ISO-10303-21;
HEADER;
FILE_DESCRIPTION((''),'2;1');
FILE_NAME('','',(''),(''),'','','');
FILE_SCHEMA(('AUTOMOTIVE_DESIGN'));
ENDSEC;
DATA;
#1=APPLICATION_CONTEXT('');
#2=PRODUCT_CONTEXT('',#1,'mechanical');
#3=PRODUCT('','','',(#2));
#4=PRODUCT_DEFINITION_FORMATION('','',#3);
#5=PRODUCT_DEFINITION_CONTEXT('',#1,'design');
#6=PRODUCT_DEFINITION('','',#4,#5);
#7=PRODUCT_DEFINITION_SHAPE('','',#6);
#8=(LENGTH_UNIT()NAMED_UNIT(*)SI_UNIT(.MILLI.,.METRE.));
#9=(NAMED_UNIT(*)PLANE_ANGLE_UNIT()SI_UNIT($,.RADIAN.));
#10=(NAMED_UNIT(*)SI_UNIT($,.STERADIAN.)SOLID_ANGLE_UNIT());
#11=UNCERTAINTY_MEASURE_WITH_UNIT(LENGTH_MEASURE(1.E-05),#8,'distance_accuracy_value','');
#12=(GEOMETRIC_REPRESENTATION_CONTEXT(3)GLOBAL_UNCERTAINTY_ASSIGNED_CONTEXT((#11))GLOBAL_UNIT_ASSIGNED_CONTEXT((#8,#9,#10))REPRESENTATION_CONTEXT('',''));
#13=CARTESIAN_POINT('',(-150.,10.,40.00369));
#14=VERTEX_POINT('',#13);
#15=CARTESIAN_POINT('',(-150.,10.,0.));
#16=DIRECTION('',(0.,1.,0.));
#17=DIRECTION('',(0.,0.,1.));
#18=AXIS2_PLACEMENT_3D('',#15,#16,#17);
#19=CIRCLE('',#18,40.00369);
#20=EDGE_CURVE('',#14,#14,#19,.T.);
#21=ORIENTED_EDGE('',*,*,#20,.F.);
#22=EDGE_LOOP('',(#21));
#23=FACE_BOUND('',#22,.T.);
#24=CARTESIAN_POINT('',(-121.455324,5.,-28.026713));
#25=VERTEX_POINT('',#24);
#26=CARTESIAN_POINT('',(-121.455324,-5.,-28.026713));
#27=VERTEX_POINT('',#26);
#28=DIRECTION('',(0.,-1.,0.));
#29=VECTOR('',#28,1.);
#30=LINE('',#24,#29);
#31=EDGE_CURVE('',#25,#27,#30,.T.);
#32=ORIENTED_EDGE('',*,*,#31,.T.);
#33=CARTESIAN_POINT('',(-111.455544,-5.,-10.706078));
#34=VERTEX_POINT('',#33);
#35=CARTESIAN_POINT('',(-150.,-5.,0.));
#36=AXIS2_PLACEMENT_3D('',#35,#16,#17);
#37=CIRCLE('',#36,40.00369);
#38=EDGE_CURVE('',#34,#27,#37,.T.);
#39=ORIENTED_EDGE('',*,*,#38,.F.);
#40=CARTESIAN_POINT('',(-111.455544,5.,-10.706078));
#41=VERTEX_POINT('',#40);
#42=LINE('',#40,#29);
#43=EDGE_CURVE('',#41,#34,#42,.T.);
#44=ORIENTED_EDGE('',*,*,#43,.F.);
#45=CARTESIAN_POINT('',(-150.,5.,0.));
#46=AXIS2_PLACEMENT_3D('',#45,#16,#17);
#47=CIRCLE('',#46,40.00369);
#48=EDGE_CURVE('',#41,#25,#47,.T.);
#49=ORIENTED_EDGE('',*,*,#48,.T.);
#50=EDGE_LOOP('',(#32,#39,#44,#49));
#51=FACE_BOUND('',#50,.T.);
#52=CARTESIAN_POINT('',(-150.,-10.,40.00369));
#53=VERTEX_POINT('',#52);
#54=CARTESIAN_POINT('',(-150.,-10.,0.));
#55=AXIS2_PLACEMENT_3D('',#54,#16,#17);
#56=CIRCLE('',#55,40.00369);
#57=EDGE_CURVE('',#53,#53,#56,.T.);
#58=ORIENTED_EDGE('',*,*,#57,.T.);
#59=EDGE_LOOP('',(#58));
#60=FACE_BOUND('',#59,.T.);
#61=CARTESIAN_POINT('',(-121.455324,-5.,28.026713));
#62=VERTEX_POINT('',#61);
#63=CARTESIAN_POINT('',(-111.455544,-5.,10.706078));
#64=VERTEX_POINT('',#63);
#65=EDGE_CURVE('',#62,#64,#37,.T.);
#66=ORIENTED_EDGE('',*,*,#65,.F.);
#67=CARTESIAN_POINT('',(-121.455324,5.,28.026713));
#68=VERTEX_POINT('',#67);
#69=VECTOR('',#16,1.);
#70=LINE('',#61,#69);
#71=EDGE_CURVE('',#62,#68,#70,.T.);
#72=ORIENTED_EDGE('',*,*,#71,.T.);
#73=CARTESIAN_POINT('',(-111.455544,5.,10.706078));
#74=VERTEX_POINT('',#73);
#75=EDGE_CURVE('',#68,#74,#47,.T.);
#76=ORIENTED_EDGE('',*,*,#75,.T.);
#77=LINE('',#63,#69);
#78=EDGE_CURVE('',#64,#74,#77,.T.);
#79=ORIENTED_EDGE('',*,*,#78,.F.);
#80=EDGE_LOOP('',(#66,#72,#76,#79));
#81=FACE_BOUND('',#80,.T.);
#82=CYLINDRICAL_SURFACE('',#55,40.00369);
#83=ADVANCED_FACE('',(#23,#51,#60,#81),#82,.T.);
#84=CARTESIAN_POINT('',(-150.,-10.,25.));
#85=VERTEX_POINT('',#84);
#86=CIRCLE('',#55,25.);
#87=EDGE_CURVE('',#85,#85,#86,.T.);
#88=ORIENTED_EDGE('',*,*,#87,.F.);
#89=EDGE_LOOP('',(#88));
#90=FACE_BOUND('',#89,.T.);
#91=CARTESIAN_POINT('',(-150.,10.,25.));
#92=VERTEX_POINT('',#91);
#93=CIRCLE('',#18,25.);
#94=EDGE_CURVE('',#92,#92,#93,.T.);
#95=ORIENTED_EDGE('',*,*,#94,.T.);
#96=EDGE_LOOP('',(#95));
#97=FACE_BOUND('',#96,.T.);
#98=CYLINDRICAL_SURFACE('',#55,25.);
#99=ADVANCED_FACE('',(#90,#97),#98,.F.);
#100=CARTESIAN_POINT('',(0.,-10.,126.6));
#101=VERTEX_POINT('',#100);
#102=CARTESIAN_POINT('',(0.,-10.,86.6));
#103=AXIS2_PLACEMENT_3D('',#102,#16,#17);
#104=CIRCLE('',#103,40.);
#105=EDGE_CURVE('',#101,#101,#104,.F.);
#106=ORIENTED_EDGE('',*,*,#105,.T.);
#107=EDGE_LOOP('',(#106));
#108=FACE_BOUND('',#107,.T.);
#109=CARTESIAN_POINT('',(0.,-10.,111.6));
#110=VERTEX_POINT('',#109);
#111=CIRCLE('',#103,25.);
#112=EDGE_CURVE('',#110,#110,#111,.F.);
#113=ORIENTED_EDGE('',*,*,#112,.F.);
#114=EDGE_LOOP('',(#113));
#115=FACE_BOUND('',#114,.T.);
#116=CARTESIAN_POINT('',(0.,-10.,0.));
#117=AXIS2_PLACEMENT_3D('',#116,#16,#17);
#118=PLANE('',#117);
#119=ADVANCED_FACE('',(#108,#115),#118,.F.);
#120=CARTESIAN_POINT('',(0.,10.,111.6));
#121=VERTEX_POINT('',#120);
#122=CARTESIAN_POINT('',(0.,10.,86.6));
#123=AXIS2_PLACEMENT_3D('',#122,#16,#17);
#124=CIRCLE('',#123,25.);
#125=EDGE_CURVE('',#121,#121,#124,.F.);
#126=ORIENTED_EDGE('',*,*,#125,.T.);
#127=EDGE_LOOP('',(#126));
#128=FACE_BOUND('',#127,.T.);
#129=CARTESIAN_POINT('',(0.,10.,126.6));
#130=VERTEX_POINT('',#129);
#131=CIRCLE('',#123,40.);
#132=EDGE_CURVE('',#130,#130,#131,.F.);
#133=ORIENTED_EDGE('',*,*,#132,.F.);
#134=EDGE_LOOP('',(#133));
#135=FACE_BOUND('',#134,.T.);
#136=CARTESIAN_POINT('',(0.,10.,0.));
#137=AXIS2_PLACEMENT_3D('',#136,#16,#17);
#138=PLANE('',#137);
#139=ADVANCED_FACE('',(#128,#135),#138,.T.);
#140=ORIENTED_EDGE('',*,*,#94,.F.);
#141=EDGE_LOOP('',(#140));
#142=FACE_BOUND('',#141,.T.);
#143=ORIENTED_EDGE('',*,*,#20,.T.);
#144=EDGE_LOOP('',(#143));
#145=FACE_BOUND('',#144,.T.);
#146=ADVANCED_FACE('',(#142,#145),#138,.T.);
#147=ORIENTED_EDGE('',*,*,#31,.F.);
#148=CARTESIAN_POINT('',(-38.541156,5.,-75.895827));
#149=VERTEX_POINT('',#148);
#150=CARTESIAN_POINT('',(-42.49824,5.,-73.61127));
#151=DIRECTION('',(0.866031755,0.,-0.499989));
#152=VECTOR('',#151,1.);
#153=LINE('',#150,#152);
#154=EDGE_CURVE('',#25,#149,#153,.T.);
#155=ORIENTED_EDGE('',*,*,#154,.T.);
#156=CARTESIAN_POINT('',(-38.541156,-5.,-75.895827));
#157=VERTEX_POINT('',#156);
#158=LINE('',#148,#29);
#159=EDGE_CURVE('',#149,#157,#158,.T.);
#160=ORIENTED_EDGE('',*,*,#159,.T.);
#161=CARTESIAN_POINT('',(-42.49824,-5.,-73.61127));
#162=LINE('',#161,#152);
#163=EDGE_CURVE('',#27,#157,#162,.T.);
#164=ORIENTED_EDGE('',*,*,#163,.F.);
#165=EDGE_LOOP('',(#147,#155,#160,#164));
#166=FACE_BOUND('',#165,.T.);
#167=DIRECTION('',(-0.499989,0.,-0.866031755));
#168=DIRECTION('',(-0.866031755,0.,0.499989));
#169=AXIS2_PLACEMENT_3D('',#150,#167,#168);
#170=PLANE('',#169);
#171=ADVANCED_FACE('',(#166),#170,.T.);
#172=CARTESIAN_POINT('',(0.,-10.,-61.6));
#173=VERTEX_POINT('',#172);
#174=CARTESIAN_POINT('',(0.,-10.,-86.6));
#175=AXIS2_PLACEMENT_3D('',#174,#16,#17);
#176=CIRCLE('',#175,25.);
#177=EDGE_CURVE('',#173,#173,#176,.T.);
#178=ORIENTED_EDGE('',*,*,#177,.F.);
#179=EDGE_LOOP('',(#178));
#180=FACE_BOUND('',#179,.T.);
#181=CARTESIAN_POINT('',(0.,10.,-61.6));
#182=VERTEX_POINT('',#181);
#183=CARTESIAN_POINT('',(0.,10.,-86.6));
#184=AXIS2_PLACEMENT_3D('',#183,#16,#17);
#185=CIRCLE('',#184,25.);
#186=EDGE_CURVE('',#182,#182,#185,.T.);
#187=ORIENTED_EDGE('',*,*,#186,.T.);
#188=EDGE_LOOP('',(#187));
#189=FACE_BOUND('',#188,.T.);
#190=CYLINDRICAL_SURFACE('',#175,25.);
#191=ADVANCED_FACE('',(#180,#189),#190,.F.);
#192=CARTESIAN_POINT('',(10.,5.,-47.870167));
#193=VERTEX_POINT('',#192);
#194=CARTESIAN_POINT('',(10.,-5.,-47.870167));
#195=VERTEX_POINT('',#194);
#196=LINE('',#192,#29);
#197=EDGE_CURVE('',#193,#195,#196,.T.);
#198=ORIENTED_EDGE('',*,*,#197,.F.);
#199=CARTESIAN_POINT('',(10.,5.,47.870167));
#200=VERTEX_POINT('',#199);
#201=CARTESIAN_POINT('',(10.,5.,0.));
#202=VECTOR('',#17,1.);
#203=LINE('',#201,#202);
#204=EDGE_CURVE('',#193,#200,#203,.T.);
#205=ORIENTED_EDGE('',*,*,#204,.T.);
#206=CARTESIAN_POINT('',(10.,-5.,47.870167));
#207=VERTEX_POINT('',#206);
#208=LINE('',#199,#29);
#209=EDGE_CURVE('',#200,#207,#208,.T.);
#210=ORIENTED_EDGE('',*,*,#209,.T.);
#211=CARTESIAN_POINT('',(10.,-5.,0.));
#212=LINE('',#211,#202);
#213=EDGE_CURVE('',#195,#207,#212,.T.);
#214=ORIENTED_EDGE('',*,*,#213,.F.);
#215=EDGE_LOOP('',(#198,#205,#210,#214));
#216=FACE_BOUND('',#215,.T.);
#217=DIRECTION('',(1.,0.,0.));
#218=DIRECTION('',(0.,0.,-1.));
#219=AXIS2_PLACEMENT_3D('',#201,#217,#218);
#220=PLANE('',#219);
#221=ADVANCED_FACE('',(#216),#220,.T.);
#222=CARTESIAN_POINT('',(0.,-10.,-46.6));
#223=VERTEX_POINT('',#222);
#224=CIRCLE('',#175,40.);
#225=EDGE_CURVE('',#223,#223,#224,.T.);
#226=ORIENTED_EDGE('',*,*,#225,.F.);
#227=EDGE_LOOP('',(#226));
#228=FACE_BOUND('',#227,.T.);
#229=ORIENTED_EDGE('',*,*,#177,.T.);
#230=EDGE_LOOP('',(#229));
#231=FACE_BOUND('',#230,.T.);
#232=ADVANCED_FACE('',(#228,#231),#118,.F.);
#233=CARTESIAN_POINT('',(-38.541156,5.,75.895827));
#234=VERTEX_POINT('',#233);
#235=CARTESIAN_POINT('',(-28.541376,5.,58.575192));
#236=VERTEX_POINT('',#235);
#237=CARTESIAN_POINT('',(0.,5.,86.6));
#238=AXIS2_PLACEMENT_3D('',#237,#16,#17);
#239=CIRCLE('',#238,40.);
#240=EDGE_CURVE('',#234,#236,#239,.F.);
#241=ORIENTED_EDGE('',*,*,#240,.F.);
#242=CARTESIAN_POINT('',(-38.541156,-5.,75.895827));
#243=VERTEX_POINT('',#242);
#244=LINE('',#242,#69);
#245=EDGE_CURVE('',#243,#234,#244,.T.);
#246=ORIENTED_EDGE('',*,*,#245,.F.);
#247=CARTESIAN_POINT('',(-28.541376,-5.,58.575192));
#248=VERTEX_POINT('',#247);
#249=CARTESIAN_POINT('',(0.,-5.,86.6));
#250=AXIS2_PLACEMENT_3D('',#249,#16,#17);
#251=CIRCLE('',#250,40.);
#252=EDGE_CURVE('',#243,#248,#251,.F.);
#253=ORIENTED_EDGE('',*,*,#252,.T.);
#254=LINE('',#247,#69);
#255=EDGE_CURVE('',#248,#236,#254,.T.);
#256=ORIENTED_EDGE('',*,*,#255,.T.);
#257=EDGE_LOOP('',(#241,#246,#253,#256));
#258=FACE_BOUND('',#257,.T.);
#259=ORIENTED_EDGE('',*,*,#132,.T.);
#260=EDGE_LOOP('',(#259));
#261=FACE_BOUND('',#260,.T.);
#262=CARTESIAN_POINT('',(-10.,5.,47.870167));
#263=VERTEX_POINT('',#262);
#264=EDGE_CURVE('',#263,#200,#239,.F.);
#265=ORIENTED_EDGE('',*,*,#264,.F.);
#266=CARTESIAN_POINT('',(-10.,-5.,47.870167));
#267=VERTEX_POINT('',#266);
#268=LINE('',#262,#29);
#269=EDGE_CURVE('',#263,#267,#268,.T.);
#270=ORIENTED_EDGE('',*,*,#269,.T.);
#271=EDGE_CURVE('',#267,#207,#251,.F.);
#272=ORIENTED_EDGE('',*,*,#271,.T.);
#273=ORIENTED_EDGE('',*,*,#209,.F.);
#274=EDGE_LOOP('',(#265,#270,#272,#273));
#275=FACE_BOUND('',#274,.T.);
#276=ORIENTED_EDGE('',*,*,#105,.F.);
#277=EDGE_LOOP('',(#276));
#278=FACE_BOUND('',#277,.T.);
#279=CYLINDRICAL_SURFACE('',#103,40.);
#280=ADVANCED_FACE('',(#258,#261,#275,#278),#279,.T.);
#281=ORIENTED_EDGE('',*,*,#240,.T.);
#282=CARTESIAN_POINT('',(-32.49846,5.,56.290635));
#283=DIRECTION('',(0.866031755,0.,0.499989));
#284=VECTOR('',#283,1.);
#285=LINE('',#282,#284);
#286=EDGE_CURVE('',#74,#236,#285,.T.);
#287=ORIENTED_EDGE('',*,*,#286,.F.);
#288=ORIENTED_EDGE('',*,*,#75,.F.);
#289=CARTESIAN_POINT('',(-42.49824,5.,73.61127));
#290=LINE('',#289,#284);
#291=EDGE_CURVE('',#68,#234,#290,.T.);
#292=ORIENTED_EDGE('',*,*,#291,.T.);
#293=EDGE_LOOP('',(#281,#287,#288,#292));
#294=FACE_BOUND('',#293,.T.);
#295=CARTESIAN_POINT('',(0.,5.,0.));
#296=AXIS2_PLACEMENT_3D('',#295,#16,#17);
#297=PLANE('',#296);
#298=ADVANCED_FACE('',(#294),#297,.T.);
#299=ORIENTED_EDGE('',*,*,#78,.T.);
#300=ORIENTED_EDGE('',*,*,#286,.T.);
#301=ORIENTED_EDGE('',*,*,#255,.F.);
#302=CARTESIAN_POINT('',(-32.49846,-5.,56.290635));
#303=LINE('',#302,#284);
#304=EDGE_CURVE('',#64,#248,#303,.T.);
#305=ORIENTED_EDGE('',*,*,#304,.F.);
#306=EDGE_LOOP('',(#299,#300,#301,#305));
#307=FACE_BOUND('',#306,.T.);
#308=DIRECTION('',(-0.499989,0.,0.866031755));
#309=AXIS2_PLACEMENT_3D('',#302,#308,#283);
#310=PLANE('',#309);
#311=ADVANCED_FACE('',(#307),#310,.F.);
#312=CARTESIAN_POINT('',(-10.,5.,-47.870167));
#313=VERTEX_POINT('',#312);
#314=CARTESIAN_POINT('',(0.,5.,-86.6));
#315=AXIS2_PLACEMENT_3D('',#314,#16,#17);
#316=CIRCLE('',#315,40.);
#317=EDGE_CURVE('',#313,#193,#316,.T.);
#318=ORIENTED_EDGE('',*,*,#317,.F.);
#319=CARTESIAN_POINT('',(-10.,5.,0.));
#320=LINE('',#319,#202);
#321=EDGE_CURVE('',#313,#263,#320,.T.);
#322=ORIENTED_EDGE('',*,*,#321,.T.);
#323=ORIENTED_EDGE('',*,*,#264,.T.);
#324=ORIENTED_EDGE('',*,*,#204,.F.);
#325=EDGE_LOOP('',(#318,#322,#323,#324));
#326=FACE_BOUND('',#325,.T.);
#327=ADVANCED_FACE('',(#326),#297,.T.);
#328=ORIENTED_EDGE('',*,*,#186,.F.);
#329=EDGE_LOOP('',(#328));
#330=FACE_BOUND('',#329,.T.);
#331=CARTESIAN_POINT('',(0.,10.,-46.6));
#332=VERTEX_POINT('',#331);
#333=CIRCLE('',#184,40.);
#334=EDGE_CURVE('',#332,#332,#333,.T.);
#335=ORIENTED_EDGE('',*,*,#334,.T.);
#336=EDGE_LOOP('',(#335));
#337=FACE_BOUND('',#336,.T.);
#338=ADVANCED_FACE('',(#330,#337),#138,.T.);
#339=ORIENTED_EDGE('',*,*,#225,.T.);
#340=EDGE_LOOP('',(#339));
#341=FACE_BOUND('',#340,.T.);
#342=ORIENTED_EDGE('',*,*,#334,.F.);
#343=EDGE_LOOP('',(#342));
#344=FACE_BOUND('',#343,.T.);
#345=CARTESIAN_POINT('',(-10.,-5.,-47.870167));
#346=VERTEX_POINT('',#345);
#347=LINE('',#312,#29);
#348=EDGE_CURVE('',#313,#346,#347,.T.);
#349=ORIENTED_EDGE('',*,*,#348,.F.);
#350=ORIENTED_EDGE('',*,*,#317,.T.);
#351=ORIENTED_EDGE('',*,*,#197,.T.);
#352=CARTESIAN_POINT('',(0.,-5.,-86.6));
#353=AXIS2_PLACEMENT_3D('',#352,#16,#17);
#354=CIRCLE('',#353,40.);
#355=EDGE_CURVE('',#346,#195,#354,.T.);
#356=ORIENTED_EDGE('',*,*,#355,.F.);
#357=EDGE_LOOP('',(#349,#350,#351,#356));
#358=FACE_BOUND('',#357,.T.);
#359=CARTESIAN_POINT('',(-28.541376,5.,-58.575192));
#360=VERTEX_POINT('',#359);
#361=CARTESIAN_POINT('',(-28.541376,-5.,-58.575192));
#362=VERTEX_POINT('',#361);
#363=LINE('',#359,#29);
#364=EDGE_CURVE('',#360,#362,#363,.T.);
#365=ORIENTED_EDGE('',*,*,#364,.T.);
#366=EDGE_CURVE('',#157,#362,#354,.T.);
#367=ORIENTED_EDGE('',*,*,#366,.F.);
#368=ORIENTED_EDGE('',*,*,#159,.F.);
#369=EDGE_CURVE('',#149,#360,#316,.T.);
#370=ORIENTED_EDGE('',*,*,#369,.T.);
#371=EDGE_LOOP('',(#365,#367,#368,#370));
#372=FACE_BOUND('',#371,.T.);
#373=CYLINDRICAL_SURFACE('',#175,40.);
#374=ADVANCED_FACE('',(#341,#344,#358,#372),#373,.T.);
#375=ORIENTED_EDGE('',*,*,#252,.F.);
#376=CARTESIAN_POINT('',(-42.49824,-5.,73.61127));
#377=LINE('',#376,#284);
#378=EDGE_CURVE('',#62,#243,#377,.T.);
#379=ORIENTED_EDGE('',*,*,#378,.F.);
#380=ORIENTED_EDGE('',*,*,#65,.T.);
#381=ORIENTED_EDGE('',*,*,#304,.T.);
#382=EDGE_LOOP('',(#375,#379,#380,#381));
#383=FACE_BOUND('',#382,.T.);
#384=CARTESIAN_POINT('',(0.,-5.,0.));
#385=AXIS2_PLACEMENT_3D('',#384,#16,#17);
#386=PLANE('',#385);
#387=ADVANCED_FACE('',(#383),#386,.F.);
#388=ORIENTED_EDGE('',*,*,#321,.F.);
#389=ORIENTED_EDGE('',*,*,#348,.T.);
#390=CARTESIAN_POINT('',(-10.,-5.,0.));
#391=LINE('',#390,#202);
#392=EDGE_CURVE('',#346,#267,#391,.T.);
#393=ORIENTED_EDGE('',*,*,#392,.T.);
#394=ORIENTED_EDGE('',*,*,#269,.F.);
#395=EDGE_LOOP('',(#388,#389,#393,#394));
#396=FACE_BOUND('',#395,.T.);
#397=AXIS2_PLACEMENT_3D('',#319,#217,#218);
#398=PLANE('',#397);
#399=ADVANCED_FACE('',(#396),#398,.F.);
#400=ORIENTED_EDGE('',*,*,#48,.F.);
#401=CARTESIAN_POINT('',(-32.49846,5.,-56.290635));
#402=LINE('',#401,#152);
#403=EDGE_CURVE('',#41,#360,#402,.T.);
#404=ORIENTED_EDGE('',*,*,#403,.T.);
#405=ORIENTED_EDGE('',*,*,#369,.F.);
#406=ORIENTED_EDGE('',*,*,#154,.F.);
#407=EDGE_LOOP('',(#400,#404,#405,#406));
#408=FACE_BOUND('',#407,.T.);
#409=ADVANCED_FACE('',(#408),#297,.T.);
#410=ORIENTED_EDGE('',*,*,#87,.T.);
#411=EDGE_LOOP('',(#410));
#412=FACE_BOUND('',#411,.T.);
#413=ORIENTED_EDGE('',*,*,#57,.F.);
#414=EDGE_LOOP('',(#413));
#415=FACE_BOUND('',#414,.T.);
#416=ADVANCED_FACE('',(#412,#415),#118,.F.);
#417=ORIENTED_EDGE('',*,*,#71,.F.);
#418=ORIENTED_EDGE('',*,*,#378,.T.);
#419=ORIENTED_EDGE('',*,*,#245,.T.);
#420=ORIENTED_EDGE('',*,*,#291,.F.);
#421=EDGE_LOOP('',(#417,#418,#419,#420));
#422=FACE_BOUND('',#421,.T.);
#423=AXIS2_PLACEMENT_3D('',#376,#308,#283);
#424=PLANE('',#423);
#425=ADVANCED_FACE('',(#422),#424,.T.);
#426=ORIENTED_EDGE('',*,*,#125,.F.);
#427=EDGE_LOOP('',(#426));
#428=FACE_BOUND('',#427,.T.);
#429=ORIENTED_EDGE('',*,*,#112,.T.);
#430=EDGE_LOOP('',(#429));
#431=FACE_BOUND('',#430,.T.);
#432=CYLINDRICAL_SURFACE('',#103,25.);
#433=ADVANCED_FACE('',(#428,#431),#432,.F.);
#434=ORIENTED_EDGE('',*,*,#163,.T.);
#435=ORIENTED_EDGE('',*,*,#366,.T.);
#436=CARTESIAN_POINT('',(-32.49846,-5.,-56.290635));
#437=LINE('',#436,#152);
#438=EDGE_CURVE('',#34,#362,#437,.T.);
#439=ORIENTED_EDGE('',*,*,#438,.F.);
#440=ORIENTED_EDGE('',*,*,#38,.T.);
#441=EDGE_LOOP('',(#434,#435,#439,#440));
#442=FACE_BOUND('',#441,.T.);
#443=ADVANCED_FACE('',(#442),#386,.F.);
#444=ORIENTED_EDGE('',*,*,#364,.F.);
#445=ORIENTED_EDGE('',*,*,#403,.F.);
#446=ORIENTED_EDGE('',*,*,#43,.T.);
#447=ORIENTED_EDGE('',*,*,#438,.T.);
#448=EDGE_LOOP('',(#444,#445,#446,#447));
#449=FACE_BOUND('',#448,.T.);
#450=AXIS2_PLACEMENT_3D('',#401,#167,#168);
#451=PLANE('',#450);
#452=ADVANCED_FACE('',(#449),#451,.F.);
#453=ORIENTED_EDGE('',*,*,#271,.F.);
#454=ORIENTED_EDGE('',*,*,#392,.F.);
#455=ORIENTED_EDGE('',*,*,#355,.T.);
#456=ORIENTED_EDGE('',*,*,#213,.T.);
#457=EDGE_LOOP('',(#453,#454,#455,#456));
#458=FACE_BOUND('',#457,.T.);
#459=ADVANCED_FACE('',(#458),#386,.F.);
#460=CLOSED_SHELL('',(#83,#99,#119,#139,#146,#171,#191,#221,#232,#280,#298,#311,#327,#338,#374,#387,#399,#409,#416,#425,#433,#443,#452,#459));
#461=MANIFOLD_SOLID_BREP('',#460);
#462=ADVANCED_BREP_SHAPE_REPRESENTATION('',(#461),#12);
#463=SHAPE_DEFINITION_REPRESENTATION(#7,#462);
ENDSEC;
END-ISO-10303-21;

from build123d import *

# Parameters (mm, degrees)
Y_KSEKLIK_EKSTR_ZYON4_DEPTH        = 10
Y_KSEKLIK_EKSTR_ZYON4_DEPTH_BACK   = 10
IZIM1_R                            = 40
IZIM1_R_2                          = 25
Y_KSEKLIK_EKSTR_ZYON4_2_DEPTH      = 10
Y_KSEKLIK_EKSTR_ZYON4_2_DEPTH_BACK = 10
Y_KSEKLIK_EKSTR_ZYON4_3_DEPTH      = 10
Y_KSEKLIK_EKSTR_ZYON4_3_DEPTH_BACK = 10
IZIM1_R_3                          = 40.003689591
Y_KSEKLIK_EKSTR_ZYON5_DEPTH        = 5
Y_KSEKLIK_EKSTR_ZYON5_DEPTH_BACK   = 5


with BuildPart() as part:
    # Çizim1 → Yükseklik-Ekstrüzyon4 (new, two sides: drawn at the far end of the back side and taken through both)
    with BuildSketch(Plane(origin=(0, 0, 0), x_dir=(1, 0, 0), z_dir=(0, 1, 0)).offset(-Y_KSEKLIK_EKSTR_ZYON4_DEPTH_BACK)):
        with Locations((0, 86.6)):
            Circle(IZIM1_R)
        with Locations((0, 86.6)):
            Circle(IZIM1_R_2, mode=Mode.SUBTRACT)
    extrude(amount=Y_KSEKLIK_EKSTR_ZYON4_DEPTH + Y_KSEKLIK_EKSTR_ZYON4_DEPTH_BACK)



with BuildPart() as body_2:
    # Çizim1 → Y_kseklik-Ekstr_zyon4 2 (new, two sides: drawn at the far end of the back side and taken through both)
    with BuildSketch(Plane(origin=(0, 0, 0), x_dir=(1, 0, 0), z_dir=(0, 1, 0)).offset(-Y_KSEKLIK_EKSTR_ZYON4_2_DEPTH_BACK)):
        with Locations((0, -86.6)):
            Circle(IZIM1_R)
        with Locations((0, -86.6)):
            Circle(IZIM1_R_2, mode=Mode.SUBTRACT)
    extrude(amount=Y_KSEKLIK_EKSTR_ZYON4_2_DEPTH + Y_KSEKLIK_EKSTR_ZYON4_2_DEPTH_BACK)


with BuildPart() as body_3:
    # Çizim1 → Y_kseklik-Ekstr_zyon4 3 (new, two sides: drawn at the far end of the back side and taken through both)
    with BuildSketch(Plane(origin=(0, 0, 0), x_dir=(1, 0, 0), z_dir=(0, 1, 0)).offset(-Y_KSEKLIK_EKSTR_ZYON4_3_DEPTH_BACK)):
        with Locations((-150, 0)):
            Circle(IZIM1_R_3)
        with Locations((-150, 0)):
            Circle(IZIM1_R_2, mode=Mode.SUBTRACT)
    extrude(amount=Y_KSEKLIK_EKSTR_ZYON4_3_DEPTH + Y_KSEKLIK_EKSTR_ZYON4_3_DEPTH_BACK)


with BuildPart() as part_1:
    add(part.part)

    add(body_2.part)  # Yükseklik-Ekstrüzyon5 merges body 2

    add(body_3.part)  # Yükseklik-Ekstrüzyon5 merges body 3
    # Çizim1<6> → Yükseklik-Ekstrüzyon5 (add, two sides: drawn at the far end of the back side and taken through both)
    with BuildSketch(Plane(origin=(0, 0, 0), x_dir=(1, 0, 0), z_dir=(0, 1, 0)).offset(-Y_KSEKLIK_EKSTR_ZYON5_DEPTH_BACK)):
        with BuildLine():
            ThreePointArc((10, 47.870166538), (0, 46.6), (-10, 47.870166538))
            Line((-10, 47.870166538), (-10, -47.870166538))
            ThreePointArc((-10, -47.870166538), (0, -46.6), (10, -47.870166538))
            Line((10, -47.870166538), (10, 47.870166538))
        make_face()
        with BuildLine():
            Line((-111.455544285, 10.706078394), (-28.541375636, 58.575191761))
            ThreePointArc((-28.541375636, 58.575191761), (-34.641270188, 66.600440011), (-38.54115563, 75.895826855))
            Line((-38.54115563, 75.895826855), (-121.45532428, 28.026713488))
            ThreePointArc((-121.45532428, 28.026713488), (-115.355534509, 20.001404744), (-111.455544285, 10.706078394))
        make_face()
        with BuildLine():
            ThreePointArc((-38.54115563, -75.895826855), (-34.641270188, -66.600440011), (-28.541375636, -58.575191761))
            Line((-28.541375636, -58.575191761), (-111.455544285, -10.706078394))
            ThreePointArc((-111.455544285, -10.706078394), (-115.355534509, -20.001404744), (-121.45532428, -28.026713488))
            Line((-121.45532428, -28.026713488), (-38.54115563, -75.895826855))
        make_face()
    extrude(amount=Y_KSEKLIK_EKSTR_ZYON5_DEPTH + Y_KSEKLIK_EKSTR_ZYON5_DEPTH_BACK)


solid = part_1.part
